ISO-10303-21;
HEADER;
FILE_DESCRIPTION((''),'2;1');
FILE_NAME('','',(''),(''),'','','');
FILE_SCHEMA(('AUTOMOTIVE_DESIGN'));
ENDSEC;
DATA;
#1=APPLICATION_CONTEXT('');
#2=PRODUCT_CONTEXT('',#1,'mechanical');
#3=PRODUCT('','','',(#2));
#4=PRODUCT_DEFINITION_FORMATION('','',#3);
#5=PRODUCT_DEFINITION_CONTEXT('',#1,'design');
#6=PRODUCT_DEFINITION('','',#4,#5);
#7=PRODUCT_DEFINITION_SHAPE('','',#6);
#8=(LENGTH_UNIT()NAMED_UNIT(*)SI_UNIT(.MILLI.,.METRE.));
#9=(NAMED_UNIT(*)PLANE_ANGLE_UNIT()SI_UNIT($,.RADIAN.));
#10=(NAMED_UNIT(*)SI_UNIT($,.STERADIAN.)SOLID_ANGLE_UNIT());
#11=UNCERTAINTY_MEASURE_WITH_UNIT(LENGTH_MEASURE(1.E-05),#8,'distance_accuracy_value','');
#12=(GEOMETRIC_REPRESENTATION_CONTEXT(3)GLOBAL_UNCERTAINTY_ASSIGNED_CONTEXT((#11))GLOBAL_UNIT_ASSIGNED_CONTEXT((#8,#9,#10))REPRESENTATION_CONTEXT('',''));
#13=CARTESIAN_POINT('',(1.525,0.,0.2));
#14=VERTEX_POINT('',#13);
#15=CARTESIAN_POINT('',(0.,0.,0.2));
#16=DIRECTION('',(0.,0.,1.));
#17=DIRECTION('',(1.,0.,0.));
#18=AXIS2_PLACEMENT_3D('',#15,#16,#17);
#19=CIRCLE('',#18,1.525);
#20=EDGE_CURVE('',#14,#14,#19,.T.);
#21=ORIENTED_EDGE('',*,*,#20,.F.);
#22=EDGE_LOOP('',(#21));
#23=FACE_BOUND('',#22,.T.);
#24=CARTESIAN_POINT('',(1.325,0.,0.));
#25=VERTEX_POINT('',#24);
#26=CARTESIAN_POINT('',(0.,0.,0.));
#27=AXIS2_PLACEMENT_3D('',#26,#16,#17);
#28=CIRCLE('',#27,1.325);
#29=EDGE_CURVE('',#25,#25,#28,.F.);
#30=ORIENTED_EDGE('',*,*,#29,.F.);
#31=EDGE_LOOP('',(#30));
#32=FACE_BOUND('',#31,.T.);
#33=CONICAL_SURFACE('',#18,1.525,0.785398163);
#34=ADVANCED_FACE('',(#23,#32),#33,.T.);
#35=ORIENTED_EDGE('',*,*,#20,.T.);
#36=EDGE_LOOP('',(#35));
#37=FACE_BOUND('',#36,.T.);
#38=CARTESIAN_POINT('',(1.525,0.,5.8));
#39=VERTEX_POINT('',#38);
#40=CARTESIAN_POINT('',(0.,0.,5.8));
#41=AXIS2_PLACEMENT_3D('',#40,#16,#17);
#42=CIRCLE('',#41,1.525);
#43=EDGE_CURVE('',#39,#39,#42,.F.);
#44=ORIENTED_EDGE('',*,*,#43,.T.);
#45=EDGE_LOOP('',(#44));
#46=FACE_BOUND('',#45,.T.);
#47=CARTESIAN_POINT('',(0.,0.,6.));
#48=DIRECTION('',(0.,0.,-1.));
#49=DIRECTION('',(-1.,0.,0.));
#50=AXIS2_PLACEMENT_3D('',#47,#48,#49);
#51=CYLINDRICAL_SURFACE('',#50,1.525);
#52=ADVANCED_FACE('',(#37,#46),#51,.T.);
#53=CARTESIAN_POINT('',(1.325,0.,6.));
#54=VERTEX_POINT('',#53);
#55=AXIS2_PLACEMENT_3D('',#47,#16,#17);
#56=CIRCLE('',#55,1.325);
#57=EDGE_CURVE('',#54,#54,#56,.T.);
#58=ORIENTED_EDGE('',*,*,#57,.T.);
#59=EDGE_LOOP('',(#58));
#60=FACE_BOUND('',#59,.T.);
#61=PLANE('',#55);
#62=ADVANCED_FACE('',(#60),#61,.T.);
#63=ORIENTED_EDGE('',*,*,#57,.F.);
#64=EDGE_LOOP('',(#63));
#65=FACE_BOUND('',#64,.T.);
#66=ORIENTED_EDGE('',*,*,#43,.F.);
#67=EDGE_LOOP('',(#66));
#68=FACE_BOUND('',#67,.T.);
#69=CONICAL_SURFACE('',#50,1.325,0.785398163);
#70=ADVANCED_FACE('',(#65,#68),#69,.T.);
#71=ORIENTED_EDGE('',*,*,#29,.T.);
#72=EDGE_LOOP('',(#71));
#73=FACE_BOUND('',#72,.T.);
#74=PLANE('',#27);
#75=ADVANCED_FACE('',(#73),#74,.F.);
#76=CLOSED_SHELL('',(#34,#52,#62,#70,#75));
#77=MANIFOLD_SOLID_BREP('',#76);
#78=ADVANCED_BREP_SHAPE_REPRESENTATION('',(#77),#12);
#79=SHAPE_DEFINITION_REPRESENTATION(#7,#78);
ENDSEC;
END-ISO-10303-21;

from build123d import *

# Parameters (mm, degrees)
SKETCH_1_R      = 1.525
EXTRUDE_1_DEPTH = 6
CHAMFER_1_SIZE  = 0.2


with BuildPart() as part:
    # 草图1 → 凸台-拉伸1 (new body)
    with BuildSketch(Plane.XY):
        Circle(SKETCH_1_R)
    extrude(amount=EXTRUDE_1_DEPTH)

    # 倒角1
    chamfer_1_edges = [part.edges().sort_by_distance(p)[0] for p in [
        (-1.525, 0, 0),
        (-1.525, 0, 6),
    ]]
    chamfer(chamfer_1_edges, length=CHAMFER_1_SIZE)


solid = part.part
